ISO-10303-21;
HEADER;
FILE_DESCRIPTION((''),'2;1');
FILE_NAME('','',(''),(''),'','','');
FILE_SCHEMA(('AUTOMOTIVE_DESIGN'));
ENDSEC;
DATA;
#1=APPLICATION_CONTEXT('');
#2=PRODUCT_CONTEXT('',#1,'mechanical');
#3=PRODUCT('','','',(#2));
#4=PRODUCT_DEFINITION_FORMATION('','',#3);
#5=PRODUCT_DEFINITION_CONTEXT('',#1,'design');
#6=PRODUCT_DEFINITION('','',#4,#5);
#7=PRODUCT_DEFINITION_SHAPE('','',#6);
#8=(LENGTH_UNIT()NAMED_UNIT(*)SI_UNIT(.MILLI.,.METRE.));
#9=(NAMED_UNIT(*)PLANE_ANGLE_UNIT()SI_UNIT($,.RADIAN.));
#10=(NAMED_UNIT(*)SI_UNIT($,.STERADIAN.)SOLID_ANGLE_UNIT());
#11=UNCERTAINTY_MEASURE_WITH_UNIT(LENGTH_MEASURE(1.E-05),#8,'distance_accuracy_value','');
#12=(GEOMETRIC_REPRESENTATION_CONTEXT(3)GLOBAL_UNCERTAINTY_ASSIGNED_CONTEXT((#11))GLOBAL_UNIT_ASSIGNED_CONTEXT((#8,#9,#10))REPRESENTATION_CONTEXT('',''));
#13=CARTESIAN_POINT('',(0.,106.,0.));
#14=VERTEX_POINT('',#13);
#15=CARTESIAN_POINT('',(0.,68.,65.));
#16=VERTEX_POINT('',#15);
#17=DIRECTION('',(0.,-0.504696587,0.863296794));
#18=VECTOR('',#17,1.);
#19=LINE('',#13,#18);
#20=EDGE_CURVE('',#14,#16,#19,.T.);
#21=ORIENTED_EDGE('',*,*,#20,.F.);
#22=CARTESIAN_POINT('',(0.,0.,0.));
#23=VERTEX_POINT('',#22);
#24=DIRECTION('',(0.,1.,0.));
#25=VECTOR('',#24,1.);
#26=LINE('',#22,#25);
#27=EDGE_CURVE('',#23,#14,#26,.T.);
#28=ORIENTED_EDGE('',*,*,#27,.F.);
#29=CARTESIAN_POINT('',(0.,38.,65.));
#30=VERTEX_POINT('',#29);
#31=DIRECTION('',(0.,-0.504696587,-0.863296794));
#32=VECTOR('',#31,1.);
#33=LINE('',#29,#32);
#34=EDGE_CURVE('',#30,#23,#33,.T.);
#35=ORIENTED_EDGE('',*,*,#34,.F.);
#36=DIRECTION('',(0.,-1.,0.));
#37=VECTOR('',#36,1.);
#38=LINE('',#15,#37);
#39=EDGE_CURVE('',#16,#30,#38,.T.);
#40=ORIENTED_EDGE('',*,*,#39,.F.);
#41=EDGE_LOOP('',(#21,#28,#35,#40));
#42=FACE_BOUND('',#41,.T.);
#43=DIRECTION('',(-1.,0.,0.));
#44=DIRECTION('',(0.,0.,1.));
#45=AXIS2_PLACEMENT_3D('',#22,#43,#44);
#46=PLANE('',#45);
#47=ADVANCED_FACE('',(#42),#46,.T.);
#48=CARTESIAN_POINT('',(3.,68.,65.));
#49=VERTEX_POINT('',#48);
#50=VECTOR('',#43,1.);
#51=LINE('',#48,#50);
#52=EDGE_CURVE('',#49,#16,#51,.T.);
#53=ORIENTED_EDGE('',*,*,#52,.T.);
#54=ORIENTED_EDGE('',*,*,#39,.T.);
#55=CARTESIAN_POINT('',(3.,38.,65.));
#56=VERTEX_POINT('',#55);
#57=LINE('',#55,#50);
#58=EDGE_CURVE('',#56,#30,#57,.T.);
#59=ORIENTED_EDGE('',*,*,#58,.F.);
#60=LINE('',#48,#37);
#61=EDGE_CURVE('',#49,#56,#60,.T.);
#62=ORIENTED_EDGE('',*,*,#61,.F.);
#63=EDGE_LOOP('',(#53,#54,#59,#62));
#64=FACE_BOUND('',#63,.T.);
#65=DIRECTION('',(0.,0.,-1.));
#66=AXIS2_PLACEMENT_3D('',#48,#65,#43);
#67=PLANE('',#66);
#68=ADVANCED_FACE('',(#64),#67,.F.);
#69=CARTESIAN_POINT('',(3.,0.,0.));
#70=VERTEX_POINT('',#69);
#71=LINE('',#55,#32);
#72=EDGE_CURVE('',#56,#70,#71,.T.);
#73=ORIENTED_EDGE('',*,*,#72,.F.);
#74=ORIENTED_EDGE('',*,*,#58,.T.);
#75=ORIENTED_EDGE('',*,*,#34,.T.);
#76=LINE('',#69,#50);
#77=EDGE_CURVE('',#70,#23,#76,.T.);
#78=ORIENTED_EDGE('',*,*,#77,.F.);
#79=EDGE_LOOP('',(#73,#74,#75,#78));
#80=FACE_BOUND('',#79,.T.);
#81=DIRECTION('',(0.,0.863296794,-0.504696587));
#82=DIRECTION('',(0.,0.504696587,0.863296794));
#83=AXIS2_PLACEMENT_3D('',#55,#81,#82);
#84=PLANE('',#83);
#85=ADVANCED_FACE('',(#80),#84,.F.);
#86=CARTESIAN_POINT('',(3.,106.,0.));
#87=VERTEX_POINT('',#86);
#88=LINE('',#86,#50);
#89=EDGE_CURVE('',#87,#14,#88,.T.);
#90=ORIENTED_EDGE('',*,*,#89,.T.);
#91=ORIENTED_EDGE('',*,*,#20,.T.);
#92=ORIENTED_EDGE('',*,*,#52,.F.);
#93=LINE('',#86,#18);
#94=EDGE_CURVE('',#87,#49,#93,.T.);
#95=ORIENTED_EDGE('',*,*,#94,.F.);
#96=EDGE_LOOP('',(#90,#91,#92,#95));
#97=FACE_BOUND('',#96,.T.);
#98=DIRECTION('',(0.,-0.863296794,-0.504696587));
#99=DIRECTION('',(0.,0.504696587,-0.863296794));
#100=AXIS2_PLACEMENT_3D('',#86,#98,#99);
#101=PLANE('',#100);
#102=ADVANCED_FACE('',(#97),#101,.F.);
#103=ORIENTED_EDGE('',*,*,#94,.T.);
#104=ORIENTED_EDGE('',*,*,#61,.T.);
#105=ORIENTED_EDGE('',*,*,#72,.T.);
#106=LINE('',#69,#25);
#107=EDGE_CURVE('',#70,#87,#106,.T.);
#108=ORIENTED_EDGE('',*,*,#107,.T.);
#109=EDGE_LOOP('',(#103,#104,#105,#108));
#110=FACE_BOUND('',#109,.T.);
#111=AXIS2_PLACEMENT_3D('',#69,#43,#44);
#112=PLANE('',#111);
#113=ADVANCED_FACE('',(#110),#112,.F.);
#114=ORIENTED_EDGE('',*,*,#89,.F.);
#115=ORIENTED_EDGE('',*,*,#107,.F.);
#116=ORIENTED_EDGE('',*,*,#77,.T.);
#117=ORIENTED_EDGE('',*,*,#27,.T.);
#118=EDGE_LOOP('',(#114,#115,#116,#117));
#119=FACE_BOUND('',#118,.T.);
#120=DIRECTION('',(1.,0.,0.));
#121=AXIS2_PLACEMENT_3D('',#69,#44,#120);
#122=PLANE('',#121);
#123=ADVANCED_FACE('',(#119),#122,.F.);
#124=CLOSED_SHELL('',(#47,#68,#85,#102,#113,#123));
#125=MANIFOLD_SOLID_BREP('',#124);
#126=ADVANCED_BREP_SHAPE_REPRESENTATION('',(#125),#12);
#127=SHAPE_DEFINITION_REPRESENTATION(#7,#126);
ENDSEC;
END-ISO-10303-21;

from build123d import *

# Parameters (mm, degrees)
BOSS_EXTRUDE1_DEPTH = 3


with BuildPart() as part:
    # Sketch1 → Boss-Extrude1 (new body)
    with BuildSketch(Plane.YZ):
        Polygon((0, 0), (106, 0), (68, 65), (38, 65), align=None)
    extrude(amount=BOSS_EXTRUDE1_DEPTH)


solid = part.part
